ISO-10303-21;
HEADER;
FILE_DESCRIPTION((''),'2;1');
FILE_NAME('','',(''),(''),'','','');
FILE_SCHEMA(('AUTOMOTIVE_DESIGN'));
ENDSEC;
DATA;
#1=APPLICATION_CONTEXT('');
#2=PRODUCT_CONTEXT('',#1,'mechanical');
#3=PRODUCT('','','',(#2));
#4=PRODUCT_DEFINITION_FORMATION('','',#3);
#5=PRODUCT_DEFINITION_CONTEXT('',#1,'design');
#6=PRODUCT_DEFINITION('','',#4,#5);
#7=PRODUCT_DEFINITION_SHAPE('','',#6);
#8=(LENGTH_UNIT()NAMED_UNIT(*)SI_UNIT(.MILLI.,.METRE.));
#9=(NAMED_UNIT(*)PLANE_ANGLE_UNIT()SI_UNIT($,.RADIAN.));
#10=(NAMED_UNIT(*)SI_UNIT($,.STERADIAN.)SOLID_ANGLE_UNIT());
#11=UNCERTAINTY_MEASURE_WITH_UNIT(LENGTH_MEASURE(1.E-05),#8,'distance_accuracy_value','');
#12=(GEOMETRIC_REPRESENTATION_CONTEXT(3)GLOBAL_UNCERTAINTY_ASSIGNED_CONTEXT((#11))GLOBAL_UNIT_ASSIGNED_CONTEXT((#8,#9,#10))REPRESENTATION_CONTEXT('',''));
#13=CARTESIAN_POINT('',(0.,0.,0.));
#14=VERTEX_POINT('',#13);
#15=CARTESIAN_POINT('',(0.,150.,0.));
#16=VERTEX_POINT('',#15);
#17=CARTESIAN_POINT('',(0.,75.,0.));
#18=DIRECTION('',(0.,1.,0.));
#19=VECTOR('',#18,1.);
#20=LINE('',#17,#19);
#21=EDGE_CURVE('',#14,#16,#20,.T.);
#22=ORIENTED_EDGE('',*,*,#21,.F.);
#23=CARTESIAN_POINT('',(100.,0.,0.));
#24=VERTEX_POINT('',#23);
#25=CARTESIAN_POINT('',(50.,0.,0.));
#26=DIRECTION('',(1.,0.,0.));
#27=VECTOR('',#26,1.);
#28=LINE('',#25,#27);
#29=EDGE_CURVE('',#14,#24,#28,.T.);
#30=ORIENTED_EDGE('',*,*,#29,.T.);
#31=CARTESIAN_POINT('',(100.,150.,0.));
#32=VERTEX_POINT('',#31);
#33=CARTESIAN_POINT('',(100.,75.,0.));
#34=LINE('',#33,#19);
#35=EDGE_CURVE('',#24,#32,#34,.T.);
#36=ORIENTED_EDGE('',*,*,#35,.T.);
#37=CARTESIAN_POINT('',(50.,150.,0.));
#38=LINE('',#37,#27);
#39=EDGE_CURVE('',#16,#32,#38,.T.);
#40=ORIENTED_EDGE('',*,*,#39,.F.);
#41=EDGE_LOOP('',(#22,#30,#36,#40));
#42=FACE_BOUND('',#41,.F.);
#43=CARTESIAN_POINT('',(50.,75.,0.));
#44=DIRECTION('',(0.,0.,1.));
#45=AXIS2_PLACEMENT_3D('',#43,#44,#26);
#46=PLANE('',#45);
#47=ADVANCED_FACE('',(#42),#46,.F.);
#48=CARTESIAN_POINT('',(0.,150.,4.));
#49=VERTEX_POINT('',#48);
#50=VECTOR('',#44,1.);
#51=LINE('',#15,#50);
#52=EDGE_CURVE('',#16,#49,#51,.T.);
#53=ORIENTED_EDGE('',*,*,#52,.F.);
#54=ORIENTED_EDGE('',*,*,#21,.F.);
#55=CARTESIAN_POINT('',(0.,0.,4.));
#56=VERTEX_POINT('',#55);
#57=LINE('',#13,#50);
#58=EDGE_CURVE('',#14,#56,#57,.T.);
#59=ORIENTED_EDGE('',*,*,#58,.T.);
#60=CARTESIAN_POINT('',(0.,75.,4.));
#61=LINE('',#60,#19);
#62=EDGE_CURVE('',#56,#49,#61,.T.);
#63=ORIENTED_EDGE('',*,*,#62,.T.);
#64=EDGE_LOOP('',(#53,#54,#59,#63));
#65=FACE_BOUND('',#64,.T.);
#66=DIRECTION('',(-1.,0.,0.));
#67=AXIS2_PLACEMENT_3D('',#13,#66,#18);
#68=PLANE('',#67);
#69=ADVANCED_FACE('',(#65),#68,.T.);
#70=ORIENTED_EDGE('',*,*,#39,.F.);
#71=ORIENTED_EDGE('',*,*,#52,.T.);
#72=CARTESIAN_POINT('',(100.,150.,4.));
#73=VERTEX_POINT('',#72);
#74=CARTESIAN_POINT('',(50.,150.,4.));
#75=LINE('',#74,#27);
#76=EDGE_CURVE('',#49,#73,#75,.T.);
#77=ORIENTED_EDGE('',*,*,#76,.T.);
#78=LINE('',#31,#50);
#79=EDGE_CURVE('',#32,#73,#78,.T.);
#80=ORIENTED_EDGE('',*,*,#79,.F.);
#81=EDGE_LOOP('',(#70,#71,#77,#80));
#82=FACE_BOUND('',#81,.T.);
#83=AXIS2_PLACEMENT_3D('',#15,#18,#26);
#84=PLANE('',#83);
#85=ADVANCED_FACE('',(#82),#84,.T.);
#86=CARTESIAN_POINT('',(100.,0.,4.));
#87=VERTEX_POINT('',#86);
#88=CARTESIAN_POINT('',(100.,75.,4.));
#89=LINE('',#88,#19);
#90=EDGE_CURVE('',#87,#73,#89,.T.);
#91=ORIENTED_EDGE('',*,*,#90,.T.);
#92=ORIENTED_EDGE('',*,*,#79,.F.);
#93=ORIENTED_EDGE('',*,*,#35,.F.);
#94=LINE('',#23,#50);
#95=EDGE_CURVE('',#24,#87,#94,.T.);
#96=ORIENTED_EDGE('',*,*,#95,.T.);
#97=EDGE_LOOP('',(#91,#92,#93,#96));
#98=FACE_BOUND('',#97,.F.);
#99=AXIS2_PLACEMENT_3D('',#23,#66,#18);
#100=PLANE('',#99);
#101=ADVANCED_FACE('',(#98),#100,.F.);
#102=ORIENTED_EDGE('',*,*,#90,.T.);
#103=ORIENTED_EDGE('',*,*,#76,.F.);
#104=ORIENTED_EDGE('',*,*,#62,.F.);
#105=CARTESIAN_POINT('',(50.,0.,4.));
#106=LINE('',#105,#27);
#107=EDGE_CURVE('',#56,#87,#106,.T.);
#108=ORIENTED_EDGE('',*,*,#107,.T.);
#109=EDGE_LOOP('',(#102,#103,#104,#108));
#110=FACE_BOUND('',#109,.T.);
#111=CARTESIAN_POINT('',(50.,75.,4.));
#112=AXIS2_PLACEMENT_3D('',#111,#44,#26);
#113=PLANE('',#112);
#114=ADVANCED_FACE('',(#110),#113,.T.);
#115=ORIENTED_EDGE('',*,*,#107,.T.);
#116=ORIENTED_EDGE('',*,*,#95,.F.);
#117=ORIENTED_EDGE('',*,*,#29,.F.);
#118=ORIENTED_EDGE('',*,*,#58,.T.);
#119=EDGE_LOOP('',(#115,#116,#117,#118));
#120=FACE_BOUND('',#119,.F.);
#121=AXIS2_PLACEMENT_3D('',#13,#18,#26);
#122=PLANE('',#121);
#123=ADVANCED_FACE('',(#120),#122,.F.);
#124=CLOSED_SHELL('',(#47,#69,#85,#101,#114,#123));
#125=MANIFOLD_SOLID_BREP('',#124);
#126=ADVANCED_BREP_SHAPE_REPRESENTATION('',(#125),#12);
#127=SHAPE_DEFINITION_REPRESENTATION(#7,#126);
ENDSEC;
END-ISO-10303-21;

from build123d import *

# Parameters (mm, degrees)
SKETCH1_W           = 100
SKETCH1_H           = 150
BOSS_EXTRUDE1_DEPTH = 4


with BuildPart() as part:
    # Sketch1 → Boss-Extrude1 (new body)
    with BuildSketch(Plane.XY):
        with Locations((50, 75)):
            Rectangle(SKETCH1_W, SKETCH1_H)
    extrude(amount=BOSS_EXTRUDE1_DEPTH)


solid = part.part
